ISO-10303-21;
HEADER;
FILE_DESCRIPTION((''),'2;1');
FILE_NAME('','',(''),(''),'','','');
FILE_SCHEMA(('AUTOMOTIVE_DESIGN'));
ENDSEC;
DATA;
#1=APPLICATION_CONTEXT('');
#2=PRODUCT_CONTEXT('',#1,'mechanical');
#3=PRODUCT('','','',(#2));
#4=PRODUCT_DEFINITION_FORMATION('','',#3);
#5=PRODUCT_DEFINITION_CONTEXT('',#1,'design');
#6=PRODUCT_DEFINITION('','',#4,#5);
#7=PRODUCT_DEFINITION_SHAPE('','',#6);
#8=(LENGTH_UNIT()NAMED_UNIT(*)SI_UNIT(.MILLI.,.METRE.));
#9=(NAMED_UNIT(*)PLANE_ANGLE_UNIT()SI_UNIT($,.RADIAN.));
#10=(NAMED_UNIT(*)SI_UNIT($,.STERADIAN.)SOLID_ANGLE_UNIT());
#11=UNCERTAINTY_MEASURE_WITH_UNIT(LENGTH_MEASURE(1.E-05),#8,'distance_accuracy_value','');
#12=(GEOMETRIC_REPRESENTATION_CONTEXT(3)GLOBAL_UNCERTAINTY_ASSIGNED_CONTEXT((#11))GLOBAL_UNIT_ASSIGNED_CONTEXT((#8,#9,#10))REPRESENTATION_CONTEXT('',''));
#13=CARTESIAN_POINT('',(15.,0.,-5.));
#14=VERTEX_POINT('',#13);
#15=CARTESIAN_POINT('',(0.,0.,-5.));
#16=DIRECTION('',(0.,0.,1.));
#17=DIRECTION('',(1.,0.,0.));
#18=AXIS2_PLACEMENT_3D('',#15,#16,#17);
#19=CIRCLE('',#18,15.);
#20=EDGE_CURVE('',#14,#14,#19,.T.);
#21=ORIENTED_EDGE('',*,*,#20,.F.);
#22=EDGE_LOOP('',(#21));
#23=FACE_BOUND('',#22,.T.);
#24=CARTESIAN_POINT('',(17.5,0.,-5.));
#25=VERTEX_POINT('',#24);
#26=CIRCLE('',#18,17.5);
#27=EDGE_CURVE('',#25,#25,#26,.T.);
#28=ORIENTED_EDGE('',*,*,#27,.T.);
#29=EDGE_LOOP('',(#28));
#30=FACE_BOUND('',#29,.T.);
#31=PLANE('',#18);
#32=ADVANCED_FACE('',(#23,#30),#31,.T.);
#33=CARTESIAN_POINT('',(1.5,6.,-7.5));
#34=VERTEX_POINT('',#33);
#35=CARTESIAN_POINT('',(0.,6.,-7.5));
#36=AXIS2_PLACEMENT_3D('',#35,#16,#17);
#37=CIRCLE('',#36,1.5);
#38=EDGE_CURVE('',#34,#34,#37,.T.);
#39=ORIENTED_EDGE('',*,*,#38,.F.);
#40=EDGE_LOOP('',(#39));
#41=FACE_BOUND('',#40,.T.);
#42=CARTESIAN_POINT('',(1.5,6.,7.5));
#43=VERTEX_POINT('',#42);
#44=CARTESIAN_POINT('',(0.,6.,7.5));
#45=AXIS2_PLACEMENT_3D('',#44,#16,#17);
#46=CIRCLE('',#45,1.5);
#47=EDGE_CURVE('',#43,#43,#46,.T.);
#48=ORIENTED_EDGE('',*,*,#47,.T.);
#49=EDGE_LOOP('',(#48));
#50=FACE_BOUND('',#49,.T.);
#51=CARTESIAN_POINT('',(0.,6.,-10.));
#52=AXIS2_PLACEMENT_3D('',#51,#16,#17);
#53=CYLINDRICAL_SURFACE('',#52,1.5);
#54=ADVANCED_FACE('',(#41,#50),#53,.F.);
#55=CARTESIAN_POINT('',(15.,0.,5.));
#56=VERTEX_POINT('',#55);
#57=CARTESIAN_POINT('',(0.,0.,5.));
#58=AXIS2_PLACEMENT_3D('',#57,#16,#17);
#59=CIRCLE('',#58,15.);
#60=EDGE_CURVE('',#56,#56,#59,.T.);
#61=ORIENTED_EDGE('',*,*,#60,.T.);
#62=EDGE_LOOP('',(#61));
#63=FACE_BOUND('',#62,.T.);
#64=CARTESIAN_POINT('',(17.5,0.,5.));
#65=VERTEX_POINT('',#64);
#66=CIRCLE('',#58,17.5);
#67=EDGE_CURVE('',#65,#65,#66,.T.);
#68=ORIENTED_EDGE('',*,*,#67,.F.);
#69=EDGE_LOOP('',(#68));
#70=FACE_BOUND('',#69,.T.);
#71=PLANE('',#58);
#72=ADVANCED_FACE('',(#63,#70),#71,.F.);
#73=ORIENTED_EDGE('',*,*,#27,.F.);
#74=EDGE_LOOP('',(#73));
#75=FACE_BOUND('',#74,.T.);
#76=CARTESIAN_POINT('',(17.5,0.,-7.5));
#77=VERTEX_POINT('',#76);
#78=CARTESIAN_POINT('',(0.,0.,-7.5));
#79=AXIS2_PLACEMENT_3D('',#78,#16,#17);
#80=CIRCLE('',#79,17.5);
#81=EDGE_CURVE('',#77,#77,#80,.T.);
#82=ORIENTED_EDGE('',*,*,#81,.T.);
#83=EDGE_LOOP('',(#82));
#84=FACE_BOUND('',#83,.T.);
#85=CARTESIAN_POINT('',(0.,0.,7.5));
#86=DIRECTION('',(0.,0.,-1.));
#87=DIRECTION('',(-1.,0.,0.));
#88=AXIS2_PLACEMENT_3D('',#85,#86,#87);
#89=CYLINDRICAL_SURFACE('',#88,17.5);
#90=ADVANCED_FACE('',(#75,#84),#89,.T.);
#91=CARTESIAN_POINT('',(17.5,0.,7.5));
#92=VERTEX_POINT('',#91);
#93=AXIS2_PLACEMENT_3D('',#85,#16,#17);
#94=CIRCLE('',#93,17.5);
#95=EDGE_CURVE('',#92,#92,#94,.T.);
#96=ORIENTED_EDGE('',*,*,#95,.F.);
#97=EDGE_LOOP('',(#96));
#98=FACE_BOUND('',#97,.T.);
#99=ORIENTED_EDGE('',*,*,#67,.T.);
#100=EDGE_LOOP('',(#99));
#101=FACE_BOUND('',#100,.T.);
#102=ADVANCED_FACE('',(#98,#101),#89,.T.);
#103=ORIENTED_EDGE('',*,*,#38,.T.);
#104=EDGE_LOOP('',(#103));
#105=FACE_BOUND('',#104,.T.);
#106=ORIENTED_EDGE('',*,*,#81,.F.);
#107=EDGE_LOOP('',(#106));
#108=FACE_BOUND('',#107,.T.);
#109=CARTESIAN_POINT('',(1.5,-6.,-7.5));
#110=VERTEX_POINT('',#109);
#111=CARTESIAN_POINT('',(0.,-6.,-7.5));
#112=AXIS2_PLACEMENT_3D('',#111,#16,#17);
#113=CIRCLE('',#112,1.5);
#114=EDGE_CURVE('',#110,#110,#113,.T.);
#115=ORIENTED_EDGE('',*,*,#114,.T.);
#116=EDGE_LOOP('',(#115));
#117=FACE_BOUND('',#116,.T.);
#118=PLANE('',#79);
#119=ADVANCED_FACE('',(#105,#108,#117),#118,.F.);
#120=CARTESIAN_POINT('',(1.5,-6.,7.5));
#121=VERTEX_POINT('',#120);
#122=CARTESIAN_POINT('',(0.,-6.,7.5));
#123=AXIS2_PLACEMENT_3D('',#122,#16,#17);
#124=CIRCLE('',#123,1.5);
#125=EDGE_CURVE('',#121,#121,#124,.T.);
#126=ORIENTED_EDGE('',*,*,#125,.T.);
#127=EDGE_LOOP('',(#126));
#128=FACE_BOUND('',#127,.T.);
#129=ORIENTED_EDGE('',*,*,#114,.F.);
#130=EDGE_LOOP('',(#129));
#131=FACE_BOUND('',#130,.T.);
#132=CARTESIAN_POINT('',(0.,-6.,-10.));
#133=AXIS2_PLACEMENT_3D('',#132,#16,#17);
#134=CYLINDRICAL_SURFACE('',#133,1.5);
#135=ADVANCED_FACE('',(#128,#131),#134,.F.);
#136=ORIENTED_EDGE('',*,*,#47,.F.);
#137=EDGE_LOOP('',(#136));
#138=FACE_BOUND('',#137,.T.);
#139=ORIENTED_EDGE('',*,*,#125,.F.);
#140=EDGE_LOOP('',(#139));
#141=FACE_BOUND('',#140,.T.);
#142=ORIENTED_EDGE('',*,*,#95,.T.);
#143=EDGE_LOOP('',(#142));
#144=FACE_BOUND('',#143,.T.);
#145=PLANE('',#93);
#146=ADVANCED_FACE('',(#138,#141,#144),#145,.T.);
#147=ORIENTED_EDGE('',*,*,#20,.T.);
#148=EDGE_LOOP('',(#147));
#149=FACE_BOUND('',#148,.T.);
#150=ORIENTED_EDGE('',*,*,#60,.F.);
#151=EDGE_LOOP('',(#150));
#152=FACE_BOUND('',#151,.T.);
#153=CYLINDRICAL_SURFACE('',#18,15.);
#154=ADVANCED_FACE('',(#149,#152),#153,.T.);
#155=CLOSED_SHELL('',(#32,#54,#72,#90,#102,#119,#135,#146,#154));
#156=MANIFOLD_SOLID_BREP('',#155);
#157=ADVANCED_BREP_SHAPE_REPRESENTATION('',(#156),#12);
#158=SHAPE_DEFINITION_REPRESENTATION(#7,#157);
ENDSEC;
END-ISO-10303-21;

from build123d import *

# Parameters (mm, degrees)
CROQUIS1_R              = 17.5
SALIENTE_EXTRUIR1_DEPTH = 7.5
CROQUIS2_R              = 17.5
CROQUIS2_R_2            = 15
CORTAR_EXTRUIR1_DEPTH   = 5
CROQUIS3_R              = 1.5
CORTAR_EXTRUIR2_DEPTH   = 10


with BuildPart() as part:
    # Croquis1 → Saliente-Extruir1 (new, symmetric)
    with BuildSketch(Plane(origin=(0, 0, 0), x_dir=(0, 1, 0), z_dir=(0, 0, 1))):
        with Locations(Location((0, 0, 0), (0, 0, 270))):
            Circle(CROQUIS1_R)
    extrude(amount=SALIENTE_EXTRUIR1_DEPTH, both=True)

    # Croquis2 → Cortar-Extruir1 (cut, symmetric)
    with BuildSketch(Plane(origin=(0, 0, 0), x_dir=(0, 1, 0), z_dir=(0, 0, 1))):
        with Locations(Location((0, 0, 0), (0, 0, 270))):
            Circle(CROQUIS2_R)
        with Locations(Location((0, 0, 0), (0, 0, 270))):
            Circle(CROQUIS2_R_2, mode=Mode.SUBTRACT)
    extrude(amount=CORTAR_EXTRUIR1_DEPTH, both=True, mode=Mode.SUBTRACT)

    # Croquis3 → Cortar-Extruir2 (cut, symmetric)
    with BuildSketch(Plane(origin=(0, 0, 0), x_dir=(0, 1, 0), z_dir=(0, 0, 1))):
        with Locations(Location((6, 0, 0), (0, 0, 270))):
            Circle(CROQUIS3_R)
        with Locations(Location((-6, 0, 0), (0, 0, 270))):
            Circle(CROQUIS3_R)
    extrude(amount=CORTAR_EXTRUIR2_DEPTH, both=True, mode=Mode.SUBTRACT)


solid = part.part
